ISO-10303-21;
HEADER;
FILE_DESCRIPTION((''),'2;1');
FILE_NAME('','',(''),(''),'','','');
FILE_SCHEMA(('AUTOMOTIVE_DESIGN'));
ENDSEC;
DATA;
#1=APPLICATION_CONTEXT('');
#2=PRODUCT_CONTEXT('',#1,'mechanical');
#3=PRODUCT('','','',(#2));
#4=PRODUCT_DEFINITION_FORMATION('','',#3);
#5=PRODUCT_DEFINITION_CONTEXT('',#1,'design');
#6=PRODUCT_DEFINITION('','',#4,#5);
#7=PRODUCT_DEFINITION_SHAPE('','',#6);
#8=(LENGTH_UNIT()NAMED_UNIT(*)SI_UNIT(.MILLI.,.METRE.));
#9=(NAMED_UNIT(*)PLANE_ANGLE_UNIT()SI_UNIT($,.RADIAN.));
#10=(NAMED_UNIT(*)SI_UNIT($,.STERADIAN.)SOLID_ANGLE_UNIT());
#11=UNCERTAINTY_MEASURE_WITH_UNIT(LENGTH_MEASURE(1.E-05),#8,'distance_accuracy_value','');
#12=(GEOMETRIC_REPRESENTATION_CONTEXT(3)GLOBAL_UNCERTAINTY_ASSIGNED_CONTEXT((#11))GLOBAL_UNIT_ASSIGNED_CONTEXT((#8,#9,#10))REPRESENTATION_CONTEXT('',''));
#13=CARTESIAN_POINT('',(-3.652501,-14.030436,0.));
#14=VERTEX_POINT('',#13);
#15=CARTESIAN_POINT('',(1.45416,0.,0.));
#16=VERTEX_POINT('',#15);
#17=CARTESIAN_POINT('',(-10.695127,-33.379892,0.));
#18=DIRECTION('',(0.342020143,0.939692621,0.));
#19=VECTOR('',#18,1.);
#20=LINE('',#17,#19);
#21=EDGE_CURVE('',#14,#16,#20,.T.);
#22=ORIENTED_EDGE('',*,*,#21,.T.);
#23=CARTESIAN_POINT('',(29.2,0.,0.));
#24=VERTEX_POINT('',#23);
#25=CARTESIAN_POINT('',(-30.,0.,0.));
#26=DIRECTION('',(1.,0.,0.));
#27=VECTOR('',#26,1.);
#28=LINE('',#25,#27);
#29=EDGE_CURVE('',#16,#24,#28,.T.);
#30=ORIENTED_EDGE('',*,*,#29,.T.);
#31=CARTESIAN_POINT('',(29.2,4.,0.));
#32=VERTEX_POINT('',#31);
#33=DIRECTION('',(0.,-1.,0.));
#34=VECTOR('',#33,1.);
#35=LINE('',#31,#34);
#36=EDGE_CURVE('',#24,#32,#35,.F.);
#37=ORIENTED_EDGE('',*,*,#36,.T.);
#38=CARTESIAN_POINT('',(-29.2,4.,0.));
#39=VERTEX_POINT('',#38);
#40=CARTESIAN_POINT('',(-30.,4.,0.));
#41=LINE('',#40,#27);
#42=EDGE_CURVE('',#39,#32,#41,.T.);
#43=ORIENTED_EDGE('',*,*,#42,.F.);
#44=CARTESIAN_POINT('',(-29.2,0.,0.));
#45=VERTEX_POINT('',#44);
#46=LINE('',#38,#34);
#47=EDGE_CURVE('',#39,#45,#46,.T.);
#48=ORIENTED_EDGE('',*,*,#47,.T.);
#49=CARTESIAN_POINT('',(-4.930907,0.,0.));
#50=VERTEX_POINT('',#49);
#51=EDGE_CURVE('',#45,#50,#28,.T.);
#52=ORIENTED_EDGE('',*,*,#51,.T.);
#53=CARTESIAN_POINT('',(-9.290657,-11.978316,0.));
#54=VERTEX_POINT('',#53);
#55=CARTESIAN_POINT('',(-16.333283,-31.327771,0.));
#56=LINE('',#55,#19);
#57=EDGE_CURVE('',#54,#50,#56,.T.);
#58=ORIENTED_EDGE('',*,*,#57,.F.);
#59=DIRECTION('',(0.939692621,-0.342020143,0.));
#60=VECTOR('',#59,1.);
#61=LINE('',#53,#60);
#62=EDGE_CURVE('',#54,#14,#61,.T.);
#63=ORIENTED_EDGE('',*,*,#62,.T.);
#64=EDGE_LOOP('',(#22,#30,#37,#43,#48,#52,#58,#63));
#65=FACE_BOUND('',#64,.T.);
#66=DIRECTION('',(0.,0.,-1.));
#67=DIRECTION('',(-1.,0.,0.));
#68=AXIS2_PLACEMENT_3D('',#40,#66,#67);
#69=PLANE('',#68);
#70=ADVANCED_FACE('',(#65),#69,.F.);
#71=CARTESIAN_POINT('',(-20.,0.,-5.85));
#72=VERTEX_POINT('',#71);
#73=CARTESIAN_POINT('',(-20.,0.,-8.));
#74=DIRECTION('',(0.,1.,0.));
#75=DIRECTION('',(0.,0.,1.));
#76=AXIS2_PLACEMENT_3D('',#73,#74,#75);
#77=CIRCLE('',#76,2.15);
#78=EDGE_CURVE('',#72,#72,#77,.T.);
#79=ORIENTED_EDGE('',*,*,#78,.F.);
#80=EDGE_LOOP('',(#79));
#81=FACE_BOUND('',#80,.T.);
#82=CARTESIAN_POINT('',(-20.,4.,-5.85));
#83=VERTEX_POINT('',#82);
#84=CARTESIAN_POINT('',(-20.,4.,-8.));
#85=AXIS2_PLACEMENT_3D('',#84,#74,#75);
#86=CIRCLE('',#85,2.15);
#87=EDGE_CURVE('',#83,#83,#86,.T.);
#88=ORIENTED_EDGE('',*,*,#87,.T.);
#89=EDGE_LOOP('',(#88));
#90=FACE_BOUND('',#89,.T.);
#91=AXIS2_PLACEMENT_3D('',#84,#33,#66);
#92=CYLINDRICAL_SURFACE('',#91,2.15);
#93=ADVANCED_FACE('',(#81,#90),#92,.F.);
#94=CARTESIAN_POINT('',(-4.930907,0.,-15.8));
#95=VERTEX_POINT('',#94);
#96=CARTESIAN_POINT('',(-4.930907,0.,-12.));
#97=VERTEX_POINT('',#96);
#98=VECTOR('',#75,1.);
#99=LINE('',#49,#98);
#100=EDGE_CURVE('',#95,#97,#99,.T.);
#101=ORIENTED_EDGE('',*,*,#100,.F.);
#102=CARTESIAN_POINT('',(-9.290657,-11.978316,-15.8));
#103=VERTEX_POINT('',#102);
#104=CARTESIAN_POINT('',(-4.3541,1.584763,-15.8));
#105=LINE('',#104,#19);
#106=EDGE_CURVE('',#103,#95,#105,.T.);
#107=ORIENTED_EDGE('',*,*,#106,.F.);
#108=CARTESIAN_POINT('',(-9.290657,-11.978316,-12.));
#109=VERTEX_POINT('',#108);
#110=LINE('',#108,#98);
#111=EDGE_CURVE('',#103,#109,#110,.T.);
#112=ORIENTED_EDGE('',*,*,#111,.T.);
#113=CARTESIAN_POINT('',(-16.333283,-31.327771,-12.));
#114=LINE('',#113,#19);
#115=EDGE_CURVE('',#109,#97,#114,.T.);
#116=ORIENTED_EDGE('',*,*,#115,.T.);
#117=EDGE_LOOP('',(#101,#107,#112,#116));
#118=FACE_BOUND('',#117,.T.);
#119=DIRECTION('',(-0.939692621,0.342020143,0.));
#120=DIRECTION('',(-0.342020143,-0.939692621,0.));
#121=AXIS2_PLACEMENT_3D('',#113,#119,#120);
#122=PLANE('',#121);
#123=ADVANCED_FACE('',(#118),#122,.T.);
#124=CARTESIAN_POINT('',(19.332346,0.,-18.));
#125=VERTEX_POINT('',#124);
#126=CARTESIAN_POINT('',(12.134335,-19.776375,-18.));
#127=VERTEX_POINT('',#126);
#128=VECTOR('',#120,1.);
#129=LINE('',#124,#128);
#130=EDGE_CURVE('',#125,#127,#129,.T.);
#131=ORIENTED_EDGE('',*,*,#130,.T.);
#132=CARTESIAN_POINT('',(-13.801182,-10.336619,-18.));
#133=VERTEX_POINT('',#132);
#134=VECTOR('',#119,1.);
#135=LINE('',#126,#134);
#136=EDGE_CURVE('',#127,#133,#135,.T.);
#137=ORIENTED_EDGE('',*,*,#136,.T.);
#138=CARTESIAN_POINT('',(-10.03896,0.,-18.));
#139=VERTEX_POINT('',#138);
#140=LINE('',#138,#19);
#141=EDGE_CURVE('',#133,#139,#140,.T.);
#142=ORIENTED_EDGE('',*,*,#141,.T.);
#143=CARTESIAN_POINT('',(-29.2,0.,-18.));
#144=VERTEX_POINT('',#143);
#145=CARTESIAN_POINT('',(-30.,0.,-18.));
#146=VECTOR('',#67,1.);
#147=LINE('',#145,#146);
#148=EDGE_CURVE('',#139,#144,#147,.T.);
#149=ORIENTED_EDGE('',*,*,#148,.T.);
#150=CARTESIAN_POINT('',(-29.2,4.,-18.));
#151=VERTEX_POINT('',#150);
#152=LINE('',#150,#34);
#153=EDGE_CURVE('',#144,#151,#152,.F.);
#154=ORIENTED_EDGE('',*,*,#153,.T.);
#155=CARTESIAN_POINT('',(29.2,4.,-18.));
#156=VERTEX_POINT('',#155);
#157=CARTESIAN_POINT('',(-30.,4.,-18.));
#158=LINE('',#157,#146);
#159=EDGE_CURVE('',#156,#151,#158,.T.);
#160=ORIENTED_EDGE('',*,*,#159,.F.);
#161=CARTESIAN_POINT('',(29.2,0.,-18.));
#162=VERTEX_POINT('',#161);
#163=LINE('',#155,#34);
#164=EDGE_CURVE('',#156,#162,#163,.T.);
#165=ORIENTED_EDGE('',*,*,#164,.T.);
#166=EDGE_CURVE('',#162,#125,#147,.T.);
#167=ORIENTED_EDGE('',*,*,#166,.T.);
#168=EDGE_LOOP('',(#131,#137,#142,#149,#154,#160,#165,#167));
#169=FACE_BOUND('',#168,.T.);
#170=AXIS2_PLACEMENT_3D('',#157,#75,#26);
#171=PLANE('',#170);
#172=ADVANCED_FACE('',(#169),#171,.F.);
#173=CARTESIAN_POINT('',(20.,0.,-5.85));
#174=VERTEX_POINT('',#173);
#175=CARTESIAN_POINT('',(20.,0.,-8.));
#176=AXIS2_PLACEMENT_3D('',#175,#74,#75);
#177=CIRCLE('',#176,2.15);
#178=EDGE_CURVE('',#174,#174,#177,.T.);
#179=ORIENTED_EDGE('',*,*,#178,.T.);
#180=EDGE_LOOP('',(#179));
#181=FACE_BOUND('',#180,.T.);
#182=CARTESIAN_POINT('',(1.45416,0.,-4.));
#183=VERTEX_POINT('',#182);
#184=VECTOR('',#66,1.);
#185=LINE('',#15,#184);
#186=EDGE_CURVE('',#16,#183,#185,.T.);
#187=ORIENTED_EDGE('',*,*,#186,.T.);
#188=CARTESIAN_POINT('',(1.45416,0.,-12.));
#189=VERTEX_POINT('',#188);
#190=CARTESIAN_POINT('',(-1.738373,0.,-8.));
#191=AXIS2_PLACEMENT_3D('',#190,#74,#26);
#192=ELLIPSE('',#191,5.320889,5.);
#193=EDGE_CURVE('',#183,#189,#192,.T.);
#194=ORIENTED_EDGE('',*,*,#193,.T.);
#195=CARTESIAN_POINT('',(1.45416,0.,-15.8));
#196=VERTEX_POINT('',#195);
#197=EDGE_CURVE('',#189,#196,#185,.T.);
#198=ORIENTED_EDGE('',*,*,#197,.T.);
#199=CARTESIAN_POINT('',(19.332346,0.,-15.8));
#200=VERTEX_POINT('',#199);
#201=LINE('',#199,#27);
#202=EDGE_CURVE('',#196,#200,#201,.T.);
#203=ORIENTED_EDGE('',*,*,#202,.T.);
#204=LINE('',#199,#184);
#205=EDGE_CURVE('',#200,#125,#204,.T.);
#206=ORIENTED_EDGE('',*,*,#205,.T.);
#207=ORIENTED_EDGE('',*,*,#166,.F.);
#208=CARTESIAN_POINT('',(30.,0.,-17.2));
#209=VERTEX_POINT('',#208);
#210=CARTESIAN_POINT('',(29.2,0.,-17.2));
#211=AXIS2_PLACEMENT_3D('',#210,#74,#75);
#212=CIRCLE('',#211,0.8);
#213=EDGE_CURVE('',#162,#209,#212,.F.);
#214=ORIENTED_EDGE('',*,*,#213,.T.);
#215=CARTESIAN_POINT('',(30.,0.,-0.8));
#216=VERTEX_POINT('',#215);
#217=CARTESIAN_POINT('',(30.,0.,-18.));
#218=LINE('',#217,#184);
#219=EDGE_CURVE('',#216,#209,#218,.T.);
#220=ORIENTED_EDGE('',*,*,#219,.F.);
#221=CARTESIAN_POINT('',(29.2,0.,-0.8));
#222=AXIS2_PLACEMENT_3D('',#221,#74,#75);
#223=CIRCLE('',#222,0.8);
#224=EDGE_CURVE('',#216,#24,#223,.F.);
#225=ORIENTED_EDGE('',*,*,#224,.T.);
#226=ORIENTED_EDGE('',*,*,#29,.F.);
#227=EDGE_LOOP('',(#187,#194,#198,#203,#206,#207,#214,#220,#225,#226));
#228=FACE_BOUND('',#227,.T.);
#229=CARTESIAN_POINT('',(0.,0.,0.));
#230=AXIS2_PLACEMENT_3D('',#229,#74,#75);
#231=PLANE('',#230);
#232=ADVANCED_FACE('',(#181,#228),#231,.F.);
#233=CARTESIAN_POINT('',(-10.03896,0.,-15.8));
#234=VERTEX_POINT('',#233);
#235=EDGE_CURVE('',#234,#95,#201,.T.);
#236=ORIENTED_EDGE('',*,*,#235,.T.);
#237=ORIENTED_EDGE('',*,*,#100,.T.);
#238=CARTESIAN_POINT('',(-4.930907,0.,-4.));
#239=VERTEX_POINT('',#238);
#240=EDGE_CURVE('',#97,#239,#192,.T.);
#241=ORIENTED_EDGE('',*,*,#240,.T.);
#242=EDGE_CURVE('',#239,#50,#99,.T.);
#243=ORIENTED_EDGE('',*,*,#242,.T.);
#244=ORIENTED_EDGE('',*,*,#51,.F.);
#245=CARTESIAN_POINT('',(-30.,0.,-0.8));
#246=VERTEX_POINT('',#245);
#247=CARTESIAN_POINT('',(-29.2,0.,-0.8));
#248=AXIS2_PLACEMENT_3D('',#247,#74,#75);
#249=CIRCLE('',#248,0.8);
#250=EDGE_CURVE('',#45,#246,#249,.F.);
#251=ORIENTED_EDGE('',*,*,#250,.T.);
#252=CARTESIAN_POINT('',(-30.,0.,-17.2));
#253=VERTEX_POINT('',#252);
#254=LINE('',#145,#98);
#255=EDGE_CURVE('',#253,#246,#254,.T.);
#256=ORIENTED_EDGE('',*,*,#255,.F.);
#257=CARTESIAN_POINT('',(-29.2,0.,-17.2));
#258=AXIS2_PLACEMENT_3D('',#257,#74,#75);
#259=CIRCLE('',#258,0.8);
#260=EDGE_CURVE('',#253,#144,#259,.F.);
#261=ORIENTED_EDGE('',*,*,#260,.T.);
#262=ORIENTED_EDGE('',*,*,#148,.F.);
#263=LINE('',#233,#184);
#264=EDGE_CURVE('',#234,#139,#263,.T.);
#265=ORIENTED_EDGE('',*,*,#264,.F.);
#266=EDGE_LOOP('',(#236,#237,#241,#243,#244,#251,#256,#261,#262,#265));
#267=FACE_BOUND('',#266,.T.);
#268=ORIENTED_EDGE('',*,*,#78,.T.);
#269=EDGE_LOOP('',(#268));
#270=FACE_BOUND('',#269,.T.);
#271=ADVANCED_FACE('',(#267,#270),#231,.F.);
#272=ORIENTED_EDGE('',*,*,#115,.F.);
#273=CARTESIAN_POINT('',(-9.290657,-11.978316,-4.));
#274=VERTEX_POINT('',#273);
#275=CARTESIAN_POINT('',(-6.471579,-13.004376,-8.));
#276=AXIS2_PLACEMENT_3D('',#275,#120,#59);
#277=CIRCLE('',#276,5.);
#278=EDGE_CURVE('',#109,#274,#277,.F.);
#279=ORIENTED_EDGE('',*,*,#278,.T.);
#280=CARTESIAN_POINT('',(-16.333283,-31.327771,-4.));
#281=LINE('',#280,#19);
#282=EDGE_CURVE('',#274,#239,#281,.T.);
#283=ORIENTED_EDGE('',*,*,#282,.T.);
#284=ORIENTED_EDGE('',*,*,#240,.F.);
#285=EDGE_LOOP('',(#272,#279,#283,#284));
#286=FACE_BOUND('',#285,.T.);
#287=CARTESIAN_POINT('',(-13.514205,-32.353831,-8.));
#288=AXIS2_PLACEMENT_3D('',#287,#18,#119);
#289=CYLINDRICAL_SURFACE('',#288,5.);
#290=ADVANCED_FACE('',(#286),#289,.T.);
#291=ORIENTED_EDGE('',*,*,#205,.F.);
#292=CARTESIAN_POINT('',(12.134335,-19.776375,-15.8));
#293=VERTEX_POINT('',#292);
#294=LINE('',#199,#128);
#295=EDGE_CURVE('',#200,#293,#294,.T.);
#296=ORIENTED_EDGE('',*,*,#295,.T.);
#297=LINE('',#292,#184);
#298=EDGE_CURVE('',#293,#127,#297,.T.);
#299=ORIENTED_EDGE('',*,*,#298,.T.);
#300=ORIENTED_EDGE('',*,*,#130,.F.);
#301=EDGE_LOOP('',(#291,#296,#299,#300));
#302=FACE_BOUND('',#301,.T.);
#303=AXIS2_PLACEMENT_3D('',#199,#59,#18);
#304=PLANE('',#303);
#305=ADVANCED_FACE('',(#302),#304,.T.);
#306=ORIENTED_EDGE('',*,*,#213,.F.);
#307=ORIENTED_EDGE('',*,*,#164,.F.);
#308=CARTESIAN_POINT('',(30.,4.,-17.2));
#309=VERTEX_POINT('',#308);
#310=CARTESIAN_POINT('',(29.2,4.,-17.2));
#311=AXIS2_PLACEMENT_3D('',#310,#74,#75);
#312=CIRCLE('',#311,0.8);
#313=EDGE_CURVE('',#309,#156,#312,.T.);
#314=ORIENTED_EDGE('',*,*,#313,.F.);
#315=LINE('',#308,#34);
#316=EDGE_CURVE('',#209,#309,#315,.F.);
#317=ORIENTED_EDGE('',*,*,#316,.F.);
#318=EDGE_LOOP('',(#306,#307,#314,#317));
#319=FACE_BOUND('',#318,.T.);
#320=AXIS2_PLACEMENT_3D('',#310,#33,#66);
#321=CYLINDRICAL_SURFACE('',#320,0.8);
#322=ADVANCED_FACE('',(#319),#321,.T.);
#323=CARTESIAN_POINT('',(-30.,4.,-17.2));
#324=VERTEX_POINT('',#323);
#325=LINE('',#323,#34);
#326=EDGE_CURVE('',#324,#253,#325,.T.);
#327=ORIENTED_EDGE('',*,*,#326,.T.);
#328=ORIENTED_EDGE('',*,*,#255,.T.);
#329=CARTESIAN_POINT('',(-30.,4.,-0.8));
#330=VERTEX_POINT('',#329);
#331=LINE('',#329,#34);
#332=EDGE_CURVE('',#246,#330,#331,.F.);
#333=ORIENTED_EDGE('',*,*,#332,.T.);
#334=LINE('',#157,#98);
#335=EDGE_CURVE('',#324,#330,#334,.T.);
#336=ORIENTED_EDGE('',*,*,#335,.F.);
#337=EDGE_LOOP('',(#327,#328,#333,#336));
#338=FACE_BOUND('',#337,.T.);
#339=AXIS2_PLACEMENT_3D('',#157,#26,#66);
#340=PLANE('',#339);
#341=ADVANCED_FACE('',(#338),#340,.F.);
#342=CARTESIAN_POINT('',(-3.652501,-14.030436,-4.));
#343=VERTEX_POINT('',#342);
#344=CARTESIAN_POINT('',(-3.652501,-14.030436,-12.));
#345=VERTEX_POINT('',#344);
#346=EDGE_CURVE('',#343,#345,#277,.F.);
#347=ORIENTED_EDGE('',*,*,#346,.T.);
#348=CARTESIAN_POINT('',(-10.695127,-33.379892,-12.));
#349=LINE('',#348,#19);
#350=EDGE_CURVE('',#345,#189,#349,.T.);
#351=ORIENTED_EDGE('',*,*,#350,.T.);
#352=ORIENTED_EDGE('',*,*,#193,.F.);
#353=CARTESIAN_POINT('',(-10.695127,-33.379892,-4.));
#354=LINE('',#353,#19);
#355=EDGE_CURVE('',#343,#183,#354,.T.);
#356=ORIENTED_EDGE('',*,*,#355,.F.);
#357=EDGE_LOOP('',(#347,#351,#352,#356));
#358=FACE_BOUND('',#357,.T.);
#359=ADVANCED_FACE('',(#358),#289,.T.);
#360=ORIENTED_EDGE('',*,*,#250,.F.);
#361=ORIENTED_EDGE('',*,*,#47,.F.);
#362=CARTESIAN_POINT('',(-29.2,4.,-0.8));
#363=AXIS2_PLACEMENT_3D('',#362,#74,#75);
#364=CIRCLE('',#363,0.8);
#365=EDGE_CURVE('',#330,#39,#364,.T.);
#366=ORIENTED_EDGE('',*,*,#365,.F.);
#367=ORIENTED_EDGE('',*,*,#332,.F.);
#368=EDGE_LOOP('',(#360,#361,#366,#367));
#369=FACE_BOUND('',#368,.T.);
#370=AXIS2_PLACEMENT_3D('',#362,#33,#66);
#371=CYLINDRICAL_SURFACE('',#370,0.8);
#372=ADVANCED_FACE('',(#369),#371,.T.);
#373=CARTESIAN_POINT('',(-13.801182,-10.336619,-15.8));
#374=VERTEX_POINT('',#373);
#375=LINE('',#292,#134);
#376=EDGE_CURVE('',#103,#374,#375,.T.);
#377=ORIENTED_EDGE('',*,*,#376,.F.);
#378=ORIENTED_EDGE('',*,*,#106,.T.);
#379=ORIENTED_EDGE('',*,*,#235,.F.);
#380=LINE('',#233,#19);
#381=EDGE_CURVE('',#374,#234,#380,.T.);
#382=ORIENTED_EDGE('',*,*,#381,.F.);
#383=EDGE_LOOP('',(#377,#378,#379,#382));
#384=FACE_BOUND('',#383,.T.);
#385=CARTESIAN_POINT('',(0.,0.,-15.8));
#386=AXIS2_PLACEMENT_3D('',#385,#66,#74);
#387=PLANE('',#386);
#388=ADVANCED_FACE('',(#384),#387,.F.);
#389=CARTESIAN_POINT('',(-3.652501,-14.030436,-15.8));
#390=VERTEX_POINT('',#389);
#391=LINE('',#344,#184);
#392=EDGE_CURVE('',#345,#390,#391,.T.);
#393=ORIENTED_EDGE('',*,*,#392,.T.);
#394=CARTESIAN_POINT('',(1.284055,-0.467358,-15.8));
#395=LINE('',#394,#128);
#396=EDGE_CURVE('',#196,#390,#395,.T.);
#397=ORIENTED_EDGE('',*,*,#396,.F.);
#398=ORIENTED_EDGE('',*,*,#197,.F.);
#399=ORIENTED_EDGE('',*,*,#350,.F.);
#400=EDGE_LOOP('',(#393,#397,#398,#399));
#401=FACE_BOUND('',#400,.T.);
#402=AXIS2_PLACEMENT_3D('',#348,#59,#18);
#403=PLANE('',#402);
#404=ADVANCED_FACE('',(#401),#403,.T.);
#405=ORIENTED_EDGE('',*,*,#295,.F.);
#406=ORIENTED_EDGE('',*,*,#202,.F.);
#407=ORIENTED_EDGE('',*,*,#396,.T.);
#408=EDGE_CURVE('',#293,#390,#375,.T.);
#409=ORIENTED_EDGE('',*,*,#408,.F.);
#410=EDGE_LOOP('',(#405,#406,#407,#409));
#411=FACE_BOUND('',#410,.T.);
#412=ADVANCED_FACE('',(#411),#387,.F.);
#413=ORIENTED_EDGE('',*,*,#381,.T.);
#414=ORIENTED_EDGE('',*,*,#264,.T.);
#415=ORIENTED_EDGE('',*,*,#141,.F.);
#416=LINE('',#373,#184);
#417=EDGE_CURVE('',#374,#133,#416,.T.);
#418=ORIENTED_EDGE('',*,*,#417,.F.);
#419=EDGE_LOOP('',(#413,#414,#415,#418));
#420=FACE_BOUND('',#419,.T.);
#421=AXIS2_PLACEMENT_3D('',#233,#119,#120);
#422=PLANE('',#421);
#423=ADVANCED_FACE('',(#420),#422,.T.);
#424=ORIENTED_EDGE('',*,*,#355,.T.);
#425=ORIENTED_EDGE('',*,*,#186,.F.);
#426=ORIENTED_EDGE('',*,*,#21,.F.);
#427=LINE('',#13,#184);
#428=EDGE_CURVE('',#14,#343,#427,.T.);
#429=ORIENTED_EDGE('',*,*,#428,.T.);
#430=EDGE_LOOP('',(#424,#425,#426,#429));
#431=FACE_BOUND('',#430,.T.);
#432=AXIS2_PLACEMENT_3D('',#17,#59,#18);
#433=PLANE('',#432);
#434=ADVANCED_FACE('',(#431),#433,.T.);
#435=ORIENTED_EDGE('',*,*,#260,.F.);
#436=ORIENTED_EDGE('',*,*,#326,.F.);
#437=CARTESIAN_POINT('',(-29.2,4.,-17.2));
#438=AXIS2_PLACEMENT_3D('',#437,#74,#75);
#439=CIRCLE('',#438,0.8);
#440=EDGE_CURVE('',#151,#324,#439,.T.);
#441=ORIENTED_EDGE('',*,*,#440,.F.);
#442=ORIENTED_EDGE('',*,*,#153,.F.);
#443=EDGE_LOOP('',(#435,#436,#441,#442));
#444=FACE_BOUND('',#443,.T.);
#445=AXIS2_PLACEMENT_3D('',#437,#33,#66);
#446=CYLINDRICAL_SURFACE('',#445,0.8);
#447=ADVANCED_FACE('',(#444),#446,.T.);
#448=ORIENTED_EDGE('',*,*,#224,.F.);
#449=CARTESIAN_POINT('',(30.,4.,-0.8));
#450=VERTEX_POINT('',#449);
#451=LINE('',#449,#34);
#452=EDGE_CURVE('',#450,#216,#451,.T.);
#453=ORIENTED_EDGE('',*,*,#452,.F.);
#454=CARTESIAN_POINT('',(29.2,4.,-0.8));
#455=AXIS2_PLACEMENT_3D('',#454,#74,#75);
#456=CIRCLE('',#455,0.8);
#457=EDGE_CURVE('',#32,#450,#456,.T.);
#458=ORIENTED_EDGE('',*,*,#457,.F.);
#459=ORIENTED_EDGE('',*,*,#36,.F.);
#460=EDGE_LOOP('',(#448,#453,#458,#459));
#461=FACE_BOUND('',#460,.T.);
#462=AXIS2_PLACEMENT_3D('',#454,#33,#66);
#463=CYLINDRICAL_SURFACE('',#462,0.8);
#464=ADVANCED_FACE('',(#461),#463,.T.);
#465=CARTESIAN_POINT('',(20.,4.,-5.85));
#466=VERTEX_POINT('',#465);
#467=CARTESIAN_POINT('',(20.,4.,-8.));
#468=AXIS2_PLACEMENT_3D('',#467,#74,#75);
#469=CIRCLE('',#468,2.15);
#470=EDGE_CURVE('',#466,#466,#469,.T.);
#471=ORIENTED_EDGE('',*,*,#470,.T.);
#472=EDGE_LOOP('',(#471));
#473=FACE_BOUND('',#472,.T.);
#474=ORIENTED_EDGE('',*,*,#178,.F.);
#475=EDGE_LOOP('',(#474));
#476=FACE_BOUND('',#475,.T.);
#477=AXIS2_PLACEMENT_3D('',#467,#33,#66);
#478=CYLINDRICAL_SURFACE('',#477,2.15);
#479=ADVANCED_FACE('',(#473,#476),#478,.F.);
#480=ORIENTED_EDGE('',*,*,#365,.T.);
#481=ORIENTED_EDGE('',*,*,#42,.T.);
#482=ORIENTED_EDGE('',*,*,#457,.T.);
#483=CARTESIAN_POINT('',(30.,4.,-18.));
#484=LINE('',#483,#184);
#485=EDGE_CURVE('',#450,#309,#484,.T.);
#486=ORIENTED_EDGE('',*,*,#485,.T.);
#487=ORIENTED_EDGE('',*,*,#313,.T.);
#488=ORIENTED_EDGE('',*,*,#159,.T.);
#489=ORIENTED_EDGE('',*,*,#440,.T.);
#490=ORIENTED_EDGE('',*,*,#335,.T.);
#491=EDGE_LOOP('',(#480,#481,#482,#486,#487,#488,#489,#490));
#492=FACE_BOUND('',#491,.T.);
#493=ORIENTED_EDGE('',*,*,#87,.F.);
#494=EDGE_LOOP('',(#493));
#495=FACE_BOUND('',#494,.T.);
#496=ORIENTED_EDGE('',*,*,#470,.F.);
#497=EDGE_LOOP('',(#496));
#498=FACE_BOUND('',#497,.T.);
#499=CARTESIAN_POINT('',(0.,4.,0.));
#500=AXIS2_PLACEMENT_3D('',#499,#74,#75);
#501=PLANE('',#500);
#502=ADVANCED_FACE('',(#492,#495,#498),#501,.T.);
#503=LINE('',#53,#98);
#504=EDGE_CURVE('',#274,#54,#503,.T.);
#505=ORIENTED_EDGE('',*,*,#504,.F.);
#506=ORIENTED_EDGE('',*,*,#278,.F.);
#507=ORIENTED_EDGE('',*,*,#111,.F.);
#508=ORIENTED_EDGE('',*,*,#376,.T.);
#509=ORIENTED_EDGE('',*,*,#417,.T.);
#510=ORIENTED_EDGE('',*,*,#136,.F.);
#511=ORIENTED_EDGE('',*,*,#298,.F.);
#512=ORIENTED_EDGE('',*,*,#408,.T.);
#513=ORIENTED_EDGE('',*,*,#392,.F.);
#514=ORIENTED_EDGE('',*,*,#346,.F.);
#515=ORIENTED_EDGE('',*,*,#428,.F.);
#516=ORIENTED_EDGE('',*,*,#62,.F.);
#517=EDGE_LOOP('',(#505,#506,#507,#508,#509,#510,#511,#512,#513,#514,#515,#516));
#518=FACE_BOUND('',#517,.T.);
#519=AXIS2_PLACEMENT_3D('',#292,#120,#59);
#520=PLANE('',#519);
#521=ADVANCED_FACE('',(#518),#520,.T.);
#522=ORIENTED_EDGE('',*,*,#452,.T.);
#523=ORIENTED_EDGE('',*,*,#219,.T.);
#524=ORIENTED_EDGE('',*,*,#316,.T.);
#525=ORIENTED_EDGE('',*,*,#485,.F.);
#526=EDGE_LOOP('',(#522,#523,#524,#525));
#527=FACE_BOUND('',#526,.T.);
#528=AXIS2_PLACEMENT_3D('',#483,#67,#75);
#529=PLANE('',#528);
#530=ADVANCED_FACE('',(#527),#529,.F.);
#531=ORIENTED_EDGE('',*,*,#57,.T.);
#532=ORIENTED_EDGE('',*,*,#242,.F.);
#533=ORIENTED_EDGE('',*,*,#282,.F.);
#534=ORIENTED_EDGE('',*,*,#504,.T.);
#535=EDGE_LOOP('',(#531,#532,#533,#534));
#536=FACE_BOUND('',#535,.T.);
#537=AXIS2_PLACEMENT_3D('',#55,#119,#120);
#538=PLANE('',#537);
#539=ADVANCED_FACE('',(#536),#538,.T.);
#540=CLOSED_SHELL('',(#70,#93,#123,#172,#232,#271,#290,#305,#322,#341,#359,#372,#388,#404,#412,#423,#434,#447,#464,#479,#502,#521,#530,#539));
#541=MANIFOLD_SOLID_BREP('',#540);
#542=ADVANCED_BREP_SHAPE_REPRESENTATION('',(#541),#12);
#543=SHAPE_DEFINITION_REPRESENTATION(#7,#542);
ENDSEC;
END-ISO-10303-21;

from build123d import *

# Parameters (mm, degrees)
SKETCH_1_W      = 60
SKETCH_1_H      = 18
SKETCH_1_R      = 2.15
EXTRUDE_1_DEPTH = 4
EXTRUDE_3_DEPTH = 2.2
FILLET_1_R      = 0.8
EXTRUDE_4_DEPTH = 15.801607137


with BuildPart() as part:
    # 草图1 → 凸台-拉伸1 (new body)
    with BuildSketch(Plane(origin=(0, 0, 0), x_dir=(1, 0, 0), z_dir=(0, 1, 0))):
        with Locations((0, 9)):
            Rectangle(SKETCH_1_W, SKETCH_1_H)
        with Locations(Location((-20, 8, 0), (0, 0, 270))):
            Circle(SKETCH_1_R, mode=Mode.SUBTRACT)
        with Locations(Location((20, 8, 0), (0, 0, 270))):
            Circle(SKETCH_1_R, mode=Mode.SUBTRACT)
    extrude(amount=EXTRUDE_1_DEPTH)

    # 草图5 → 凸台-拉伸3 (add)
    with BuildSketch(Plane(origin=(0, 0, -18), x_dir=(-1, 0, 0), z_dir=(0, 0, -1))):
        Polygon((-19.332346445, 0), (10.038960076, 0), (13.801181652, -10.336618829), (-12.134334681, -19.776374784), align=None)
    extrude(amount=-EXTRUDE_3_DEPTH)

    # 圆角1
    fillet_1_edges = [part.edges().sort_by_distance(p)[0] for p in [
        (-30, 2, -18),
        (30, 2, -18),
        (30, 2, 0),
        (-30, 2, 0),
    ]]
    fillet(fillet_1_edges, radius=FILLET_1_R)

    # 草图4 → 凸台-拉伸4 (add)
    with BuildSketch(Plane(origin=(0.467911114, 1.285575219, 0), x_dir=(0, 0, -1), z_dir=(0.34202014332566943, 0.9396926207859081, 0))):
        with BuildLine():
            Line((0, 4.633536704), (4, 4.633536704))
            ThreePointArc((4, 4.633536704), (8, 6.633536704), (12, 4.633536704))
            Line((12, 4.633536704), (18, 4.633536704))
            Line((18, 4.633536704), (18, -1.366463296))
            Line((18, -1.366463296), (12, -1.366463296))
            ThreePointArc((12, -1.366463296), (8, -3.366463296), (4, -1.366463296))
            Line((4, -1.366463296), (0, -1.366463296))
            Line((0, -1.366463296), (0, 4.633536704))
        make_face()
    extrude(amount=-EXTRUDE_4_DEPTH)


solid = part.part
